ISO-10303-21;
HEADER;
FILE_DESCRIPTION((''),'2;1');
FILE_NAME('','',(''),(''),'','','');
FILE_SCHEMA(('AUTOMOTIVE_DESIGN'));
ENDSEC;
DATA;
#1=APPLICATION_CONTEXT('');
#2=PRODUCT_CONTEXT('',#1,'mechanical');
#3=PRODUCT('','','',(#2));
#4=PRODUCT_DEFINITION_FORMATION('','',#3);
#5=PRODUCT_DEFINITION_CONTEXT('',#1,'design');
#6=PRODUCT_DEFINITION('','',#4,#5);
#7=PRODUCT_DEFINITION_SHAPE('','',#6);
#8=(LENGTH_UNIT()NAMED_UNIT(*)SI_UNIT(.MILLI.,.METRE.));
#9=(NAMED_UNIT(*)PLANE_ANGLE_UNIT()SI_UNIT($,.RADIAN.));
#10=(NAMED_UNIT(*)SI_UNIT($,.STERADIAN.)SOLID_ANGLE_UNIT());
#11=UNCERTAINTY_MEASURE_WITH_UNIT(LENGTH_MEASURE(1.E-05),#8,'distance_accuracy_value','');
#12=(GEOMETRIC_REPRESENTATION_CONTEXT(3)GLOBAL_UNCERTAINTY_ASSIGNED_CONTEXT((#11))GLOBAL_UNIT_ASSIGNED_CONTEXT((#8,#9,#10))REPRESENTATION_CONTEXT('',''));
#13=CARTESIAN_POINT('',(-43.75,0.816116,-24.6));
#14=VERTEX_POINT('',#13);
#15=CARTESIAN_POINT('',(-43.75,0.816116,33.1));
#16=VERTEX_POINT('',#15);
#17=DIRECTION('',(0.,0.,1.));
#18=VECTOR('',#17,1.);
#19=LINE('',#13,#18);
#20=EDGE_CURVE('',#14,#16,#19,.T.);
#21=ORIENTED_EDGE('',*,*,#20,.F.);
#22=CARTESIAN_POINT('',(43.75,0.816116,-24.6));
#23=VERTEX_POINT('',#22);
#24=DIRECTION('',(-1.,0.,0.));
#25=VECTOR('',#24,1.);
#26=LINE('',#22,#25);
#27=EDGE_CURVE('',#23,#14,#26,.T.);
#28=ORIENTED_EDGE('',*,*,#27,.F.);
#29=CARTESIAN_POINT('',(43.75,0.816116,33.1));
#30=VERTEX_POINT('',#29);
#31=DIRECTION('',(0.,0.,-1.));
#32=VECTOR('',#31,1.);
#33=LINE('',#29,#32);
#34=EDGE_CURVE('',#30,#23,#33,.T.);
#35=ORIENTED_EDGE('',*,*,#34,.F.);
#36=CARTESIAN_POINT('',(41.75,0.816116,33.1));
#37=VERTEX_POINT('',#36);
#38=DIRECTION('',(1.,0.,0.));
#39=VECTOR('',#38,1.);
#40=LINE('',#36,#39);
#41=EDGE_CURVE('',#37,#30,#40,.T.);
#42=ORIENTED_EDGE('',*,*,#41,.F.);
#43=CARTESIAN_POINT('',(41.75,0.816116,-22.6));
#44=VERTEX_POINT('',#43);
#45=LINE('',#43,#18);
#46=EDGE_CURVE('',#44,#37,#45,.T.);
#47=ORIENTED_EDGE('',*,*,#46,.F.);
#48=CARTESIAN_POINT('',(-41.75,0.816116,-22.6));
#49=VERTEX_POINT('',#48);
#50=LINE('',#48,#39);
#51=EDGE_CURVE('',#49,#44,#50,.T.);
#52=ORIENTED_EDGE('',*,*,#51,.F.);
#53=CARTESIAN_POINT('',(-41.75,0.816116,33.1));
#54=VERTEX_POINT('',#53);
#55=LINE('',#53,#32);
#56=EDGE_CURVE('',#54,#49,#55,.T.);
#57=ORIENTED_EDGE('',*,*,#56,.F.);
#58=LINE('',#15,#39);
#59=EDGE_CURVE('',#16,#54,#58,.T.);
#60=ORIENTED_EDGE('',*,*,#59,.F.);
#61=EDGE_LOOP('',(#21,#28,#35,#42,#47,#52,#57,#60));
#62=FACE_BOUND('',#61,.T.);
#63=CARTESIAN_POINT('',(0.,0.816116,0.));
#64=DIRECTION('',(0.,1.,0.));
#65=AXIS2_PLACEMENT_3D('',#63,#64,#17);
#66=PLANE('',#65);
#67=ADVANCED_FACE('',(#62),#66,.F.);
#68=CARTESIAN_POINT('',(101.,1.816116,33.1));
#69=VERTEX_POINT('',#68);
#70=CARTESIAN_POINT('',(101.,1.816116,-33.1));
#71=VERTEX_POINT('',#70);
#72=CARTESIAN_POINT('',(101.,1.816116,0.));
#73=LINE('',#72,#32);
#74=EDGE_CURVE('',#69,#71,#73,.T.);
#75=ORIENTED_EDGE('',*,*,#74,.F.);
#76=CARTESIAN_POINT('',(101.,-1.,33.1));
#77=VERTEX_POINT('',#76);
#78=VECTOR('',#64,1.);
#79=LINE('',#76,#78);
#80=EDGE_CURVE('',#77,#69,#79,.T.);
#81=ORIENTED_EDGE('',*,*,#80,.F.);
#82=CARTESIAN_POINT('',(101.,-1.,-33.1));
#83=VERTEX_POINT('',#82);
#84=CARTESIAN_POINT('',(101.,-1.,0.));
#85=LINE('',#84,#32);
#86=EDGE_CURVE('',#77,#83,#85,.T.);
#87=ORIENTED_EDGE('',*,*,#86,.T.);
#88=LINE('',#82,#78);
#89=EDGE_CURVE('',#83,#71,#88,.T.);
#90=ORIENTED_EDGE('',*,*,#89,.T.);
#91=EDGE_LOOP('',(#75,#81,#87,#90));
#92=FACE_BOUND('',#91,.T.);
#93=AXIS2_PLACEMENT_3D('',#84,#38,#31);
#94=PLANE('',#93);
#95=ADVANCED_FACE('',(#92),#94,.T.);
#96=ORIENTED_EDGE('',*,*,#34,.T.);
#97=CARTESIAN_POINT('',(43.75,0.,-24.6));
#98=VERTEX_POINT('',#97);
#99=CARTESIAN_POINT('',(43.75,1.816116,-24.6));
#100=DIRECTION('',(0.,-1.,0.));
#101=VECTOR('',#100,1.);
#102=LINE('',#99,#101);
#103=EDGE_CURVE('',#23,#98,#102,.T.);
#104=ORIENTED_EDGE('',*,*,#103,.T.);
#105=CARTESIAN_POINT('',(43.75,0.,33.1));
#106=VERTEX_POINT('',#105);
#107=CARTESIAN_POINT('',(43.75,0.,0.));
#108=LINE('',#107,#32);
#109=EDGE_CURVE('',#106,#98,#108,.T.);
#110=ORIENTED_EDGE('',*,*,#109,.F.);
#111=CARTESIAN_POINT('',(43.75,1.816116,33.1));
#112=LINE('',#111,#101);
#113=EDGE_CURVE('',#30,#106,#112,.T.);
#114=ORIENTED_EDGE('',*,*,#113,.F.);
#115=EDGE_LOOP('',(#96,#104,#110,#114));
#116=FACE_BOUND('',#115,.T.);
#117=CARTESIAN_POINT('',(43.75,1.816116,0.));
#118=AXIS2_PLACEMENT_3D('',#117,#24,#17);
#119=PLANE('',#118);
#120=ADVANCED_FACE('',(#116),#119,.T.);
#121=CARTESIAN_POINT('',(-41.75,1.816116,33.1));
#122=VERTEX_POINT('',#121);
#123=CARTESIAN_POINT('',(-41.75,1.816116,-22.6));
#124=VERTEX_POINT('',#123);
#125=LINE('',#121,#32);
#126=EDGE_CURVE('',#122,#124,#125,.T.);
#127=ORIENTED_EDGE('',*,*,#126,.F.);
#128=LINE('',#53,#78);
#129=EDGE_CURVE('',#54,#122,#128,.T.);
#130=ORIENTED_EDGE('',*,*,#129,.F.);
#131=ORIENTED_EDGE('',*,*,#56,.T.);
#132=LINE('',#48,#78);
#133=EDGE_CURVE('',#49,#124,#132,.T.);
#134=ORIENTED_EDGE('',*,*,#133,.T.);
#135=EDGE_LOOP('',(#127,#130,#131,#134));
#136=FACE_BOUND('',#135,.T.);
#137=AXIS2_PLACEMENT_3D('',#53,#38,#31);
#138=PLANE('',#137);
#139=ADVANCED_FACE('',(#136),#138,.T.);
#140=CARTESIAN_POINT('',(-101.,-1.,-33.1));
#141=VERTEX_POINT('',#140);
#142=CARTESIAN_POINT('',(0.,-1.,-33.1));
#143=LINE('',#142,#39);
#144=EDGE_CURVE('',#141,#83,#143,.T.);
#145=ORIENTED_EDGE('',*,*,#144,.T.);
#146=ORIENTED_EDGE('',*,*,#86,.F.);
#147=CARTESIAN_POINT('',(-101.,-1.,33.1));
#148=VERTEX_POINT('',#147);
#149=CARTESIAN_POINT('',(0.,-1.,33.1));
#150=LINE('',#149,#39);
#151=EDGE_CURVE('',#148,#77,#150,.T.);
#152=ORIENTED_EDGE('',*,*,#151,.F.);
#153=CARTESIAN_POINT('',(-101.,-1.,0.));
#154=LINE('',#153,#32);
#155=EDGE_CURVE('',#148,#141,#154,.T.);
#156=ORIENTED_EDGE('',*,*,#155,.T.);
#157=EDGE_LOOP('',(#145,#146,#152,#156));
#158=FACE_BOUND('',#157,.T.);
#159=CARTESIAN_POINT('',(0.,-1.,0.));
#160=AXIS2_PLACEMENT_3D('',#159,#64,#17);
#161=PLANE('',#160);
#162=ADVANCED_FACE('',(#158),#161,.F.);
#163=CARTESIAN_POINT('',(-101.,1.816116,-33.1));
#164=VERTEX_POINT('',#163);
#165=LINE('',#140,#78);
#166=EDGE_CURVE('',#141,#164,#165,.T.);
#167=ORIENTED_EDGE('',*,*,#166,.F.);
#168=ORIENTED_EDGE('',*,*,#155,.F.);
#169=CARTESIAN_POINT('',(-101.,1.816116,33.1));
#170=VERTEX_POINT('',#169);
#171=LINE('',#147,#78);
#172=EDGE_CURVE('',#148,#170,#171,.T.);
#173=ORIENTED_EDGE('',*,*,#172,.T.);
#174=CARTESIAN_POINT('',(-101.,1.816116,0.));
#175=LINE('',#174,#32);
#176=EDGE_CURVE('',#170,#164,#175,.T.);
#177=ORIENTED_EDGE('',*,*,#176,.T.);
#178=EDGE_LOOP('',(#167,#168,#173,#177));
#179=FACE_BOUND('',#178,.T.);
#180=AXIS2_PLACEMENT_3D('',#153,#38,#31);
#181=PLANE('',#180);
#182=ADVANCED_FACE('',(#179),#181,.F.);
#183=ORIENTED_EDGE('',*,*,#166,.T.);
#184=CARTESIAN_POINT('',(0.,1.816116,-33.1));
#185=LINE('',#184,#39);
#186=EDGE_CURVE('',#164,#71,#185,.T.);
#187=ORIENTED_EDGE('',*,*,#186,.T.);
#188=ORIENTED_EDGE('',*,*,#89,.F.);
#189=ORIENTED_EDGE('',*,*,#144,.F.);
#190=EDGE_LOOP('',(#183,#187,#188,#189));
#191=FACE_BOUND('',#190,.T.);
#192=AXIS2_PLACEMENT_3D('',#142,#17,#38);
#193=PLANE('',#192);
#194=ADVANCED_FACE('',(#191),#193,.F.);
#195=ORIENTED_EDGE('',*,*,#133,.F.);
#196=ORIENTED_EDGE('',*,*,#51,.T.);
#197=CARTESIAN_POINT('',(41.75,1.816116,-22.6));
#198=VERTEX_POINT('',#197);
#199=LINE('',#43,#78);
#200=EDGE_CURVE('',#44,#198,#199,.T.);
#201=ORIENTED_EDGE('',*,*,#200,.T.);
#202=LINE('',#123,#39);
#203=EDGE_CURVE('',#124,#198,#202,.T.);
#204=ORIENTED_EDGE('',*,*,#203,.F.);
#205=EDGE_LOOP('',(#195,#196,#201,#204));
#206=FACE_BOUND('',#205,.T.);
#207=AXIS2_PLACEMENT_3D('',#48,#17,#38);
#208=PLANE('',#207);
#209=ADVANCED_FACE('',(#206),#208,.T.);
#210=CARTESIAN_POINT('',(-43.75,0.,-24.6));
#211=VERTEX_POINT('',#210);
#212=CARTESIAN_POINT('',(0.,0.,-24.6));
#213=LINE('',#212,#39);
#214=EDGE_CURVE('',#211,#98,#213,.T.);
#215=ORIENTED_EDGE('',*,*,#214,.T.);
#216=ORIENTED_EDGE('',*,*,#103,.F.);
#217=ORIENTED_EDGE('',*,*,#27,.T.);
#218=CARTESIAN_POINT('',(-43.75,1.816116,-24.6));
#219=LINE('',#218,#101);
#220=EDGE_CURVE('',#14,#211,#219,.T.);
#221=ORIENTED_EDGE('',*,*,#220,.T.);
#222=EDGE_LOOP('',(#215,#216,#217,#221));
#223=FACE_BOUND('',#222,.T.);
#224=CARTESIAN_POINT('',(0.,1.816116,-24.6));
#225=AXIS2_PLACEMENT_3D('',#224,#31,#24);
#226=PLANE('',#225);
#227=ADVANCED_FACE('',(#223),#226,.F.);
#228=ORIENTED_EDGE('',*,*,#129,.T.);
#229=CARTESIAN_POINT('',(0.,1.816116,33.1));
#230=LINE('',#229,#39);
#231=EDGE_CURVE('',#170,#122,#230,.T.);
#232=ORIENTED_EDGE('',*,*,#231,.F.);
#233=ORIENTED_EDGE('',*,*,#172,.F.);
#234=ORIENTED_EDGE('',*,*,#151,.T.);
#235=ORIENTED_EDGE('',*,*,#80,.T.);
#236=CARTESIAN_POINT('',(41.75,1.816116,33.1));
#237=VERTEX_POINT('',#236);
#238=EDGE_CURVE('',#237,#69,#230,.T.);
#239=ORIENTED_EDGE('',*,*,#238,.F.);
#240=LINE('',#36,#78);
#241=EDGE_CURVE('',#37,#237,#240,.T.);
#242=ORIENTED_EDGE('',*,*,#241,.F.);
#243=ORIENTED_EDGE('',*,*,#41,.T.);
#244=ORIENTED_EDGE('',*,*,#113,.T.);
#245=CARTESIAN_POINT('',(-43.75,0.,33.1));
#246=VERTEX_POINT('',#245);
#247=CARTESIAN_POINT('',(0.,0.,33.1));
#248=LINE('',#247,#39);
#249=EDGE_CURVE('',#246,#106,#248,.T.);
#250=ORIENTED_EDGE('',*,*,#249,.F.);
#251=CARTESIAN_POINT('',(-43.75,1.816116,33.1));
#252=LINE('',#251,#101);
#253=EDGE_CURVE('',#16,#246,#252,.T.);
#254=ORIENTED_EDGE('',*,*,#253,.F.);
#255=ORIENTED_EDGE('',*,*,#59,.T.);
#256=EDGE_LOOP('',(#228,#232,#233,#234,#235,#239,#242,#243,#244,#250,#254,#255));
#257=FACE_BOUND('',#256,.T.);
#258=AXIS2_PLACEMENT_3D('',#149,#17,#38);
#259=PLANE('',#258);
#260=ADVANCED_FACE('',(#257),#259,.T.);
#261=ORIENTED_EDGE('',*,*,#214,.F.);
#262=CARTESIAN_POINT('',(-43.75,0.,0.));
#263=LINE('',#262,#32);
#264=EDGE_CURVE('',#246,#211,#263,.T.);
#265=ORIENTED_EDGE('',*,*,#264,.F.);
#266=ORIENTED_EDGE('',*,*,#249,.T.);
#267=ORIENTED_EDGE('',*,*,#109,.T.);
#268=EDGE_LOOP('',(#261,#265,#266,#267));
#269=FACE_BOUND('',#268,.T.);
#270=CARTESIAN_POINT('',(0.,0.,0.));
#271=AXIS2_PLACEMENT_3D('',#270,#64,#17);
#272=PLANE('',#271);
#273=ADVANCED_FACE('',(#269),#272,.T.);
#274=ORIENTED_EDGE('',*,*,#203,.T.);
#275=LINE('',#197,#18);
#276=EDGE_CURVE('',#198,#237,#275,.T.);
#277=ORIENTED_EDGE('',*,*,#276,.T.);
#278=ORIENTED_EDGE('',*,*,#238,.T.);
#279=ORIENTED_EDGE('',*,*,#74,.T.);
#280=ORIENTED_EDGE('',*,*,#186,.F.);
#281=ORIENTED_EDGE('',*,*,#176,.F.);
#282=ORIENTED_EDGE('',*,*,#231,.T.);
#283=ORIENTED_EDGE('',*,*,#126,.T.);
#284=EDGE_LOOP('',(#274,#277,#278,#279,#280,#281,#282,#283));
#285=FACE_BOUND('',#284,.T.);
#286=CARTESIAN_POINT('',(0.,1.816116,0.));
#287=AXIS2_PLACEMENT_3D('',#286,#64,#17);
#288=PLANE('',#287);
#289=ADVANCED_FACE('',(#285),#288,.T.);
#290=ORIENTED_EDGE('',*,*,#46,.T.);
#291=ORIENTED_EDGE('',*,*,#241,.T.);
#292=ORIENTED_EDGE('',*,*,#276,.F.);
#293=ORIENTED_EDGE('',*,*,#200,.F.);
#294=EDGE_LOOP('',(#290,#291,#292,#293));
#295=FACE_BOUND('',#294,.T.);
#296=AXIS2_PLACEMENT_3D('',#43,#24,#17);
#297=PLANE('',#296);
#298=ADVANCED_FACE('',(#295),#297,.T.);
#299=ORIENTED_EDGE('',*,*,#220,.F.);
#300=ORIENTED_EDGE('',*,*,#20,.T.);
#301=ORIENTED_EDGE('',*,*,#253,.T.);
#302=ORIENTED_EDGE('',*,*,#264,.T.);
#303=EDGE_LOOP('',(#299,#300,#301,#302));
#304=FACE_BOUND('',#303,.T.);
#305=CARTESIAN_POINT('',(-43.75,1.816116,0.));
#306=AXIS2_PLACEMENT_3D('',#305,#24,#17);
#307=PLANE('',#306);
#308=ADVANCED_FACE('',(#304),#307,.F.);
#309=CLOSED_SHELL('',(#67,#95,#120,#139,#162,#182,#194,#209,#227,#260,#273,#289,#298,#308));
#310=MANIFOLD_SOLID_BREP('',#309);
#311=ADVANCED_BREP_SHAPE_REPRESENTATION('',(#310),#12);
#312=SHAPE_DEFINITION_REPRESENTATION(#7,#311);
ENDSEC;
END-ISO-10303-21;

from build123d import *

# Parameters (mm, degrees)
SKETCH1_W           = 202
SKETCH1_H           = 66.2
BOSS_EXTRUDE1_DEPTH = 1
BOSS_EXTRUDE2_DEPTH = 1.816115501
BOSS_EXTRUDE3_DEPTH = 1


with BuildPart() as part:
    # Sketch1 → Boss-Extrude1 (new body)
    with BuildSketch(Plane(origin=(0, 0, 0), x_dir=(1, 0, 0), z_dir=(0, 1, 0))):
        Rectangle(SKETCH1_W, SKETCH1_H)
    extrude(amount=-BOSS_EXTRUDE1_DEPTH)

    # Sketch1<3> → Boss-Extrude2 (add)
    with BuildSketch(Plane(origin=(0, 0, 0), x_dir=(1, 0, 0), z_dir=(0, 1, 0))):
        Polygon((-101, -33.1), (-43.75, -33.1), (-43.75, 24.6), (43.75, 24.6), (43.75, -33.1), (101, -33.1), (101, 33.1), (-101, 33.1), align=None)
    extrude(amount=BOSS_EXTRUDE2_DEPTH)

    # Sketch2 → Boss-Extrude3 (add)
    with BuildSketch(Plane(origin=(0, 1.816115501, 0), x_dir=(1, 0, 0), z_dir=(0, 1, 0))):
        Polygon((-43.75, -33.1), (-41.75, -33.1), (-41.75, 22.6), (41.75, 22.6), (41.75, -33.1), (43.75, -33.1), (43.75, 24.6), (-43.75, 24.6), align=None)
    extrude(amount=-BOSS_EXTRUDE3_DEPTH)


solid = part.part
